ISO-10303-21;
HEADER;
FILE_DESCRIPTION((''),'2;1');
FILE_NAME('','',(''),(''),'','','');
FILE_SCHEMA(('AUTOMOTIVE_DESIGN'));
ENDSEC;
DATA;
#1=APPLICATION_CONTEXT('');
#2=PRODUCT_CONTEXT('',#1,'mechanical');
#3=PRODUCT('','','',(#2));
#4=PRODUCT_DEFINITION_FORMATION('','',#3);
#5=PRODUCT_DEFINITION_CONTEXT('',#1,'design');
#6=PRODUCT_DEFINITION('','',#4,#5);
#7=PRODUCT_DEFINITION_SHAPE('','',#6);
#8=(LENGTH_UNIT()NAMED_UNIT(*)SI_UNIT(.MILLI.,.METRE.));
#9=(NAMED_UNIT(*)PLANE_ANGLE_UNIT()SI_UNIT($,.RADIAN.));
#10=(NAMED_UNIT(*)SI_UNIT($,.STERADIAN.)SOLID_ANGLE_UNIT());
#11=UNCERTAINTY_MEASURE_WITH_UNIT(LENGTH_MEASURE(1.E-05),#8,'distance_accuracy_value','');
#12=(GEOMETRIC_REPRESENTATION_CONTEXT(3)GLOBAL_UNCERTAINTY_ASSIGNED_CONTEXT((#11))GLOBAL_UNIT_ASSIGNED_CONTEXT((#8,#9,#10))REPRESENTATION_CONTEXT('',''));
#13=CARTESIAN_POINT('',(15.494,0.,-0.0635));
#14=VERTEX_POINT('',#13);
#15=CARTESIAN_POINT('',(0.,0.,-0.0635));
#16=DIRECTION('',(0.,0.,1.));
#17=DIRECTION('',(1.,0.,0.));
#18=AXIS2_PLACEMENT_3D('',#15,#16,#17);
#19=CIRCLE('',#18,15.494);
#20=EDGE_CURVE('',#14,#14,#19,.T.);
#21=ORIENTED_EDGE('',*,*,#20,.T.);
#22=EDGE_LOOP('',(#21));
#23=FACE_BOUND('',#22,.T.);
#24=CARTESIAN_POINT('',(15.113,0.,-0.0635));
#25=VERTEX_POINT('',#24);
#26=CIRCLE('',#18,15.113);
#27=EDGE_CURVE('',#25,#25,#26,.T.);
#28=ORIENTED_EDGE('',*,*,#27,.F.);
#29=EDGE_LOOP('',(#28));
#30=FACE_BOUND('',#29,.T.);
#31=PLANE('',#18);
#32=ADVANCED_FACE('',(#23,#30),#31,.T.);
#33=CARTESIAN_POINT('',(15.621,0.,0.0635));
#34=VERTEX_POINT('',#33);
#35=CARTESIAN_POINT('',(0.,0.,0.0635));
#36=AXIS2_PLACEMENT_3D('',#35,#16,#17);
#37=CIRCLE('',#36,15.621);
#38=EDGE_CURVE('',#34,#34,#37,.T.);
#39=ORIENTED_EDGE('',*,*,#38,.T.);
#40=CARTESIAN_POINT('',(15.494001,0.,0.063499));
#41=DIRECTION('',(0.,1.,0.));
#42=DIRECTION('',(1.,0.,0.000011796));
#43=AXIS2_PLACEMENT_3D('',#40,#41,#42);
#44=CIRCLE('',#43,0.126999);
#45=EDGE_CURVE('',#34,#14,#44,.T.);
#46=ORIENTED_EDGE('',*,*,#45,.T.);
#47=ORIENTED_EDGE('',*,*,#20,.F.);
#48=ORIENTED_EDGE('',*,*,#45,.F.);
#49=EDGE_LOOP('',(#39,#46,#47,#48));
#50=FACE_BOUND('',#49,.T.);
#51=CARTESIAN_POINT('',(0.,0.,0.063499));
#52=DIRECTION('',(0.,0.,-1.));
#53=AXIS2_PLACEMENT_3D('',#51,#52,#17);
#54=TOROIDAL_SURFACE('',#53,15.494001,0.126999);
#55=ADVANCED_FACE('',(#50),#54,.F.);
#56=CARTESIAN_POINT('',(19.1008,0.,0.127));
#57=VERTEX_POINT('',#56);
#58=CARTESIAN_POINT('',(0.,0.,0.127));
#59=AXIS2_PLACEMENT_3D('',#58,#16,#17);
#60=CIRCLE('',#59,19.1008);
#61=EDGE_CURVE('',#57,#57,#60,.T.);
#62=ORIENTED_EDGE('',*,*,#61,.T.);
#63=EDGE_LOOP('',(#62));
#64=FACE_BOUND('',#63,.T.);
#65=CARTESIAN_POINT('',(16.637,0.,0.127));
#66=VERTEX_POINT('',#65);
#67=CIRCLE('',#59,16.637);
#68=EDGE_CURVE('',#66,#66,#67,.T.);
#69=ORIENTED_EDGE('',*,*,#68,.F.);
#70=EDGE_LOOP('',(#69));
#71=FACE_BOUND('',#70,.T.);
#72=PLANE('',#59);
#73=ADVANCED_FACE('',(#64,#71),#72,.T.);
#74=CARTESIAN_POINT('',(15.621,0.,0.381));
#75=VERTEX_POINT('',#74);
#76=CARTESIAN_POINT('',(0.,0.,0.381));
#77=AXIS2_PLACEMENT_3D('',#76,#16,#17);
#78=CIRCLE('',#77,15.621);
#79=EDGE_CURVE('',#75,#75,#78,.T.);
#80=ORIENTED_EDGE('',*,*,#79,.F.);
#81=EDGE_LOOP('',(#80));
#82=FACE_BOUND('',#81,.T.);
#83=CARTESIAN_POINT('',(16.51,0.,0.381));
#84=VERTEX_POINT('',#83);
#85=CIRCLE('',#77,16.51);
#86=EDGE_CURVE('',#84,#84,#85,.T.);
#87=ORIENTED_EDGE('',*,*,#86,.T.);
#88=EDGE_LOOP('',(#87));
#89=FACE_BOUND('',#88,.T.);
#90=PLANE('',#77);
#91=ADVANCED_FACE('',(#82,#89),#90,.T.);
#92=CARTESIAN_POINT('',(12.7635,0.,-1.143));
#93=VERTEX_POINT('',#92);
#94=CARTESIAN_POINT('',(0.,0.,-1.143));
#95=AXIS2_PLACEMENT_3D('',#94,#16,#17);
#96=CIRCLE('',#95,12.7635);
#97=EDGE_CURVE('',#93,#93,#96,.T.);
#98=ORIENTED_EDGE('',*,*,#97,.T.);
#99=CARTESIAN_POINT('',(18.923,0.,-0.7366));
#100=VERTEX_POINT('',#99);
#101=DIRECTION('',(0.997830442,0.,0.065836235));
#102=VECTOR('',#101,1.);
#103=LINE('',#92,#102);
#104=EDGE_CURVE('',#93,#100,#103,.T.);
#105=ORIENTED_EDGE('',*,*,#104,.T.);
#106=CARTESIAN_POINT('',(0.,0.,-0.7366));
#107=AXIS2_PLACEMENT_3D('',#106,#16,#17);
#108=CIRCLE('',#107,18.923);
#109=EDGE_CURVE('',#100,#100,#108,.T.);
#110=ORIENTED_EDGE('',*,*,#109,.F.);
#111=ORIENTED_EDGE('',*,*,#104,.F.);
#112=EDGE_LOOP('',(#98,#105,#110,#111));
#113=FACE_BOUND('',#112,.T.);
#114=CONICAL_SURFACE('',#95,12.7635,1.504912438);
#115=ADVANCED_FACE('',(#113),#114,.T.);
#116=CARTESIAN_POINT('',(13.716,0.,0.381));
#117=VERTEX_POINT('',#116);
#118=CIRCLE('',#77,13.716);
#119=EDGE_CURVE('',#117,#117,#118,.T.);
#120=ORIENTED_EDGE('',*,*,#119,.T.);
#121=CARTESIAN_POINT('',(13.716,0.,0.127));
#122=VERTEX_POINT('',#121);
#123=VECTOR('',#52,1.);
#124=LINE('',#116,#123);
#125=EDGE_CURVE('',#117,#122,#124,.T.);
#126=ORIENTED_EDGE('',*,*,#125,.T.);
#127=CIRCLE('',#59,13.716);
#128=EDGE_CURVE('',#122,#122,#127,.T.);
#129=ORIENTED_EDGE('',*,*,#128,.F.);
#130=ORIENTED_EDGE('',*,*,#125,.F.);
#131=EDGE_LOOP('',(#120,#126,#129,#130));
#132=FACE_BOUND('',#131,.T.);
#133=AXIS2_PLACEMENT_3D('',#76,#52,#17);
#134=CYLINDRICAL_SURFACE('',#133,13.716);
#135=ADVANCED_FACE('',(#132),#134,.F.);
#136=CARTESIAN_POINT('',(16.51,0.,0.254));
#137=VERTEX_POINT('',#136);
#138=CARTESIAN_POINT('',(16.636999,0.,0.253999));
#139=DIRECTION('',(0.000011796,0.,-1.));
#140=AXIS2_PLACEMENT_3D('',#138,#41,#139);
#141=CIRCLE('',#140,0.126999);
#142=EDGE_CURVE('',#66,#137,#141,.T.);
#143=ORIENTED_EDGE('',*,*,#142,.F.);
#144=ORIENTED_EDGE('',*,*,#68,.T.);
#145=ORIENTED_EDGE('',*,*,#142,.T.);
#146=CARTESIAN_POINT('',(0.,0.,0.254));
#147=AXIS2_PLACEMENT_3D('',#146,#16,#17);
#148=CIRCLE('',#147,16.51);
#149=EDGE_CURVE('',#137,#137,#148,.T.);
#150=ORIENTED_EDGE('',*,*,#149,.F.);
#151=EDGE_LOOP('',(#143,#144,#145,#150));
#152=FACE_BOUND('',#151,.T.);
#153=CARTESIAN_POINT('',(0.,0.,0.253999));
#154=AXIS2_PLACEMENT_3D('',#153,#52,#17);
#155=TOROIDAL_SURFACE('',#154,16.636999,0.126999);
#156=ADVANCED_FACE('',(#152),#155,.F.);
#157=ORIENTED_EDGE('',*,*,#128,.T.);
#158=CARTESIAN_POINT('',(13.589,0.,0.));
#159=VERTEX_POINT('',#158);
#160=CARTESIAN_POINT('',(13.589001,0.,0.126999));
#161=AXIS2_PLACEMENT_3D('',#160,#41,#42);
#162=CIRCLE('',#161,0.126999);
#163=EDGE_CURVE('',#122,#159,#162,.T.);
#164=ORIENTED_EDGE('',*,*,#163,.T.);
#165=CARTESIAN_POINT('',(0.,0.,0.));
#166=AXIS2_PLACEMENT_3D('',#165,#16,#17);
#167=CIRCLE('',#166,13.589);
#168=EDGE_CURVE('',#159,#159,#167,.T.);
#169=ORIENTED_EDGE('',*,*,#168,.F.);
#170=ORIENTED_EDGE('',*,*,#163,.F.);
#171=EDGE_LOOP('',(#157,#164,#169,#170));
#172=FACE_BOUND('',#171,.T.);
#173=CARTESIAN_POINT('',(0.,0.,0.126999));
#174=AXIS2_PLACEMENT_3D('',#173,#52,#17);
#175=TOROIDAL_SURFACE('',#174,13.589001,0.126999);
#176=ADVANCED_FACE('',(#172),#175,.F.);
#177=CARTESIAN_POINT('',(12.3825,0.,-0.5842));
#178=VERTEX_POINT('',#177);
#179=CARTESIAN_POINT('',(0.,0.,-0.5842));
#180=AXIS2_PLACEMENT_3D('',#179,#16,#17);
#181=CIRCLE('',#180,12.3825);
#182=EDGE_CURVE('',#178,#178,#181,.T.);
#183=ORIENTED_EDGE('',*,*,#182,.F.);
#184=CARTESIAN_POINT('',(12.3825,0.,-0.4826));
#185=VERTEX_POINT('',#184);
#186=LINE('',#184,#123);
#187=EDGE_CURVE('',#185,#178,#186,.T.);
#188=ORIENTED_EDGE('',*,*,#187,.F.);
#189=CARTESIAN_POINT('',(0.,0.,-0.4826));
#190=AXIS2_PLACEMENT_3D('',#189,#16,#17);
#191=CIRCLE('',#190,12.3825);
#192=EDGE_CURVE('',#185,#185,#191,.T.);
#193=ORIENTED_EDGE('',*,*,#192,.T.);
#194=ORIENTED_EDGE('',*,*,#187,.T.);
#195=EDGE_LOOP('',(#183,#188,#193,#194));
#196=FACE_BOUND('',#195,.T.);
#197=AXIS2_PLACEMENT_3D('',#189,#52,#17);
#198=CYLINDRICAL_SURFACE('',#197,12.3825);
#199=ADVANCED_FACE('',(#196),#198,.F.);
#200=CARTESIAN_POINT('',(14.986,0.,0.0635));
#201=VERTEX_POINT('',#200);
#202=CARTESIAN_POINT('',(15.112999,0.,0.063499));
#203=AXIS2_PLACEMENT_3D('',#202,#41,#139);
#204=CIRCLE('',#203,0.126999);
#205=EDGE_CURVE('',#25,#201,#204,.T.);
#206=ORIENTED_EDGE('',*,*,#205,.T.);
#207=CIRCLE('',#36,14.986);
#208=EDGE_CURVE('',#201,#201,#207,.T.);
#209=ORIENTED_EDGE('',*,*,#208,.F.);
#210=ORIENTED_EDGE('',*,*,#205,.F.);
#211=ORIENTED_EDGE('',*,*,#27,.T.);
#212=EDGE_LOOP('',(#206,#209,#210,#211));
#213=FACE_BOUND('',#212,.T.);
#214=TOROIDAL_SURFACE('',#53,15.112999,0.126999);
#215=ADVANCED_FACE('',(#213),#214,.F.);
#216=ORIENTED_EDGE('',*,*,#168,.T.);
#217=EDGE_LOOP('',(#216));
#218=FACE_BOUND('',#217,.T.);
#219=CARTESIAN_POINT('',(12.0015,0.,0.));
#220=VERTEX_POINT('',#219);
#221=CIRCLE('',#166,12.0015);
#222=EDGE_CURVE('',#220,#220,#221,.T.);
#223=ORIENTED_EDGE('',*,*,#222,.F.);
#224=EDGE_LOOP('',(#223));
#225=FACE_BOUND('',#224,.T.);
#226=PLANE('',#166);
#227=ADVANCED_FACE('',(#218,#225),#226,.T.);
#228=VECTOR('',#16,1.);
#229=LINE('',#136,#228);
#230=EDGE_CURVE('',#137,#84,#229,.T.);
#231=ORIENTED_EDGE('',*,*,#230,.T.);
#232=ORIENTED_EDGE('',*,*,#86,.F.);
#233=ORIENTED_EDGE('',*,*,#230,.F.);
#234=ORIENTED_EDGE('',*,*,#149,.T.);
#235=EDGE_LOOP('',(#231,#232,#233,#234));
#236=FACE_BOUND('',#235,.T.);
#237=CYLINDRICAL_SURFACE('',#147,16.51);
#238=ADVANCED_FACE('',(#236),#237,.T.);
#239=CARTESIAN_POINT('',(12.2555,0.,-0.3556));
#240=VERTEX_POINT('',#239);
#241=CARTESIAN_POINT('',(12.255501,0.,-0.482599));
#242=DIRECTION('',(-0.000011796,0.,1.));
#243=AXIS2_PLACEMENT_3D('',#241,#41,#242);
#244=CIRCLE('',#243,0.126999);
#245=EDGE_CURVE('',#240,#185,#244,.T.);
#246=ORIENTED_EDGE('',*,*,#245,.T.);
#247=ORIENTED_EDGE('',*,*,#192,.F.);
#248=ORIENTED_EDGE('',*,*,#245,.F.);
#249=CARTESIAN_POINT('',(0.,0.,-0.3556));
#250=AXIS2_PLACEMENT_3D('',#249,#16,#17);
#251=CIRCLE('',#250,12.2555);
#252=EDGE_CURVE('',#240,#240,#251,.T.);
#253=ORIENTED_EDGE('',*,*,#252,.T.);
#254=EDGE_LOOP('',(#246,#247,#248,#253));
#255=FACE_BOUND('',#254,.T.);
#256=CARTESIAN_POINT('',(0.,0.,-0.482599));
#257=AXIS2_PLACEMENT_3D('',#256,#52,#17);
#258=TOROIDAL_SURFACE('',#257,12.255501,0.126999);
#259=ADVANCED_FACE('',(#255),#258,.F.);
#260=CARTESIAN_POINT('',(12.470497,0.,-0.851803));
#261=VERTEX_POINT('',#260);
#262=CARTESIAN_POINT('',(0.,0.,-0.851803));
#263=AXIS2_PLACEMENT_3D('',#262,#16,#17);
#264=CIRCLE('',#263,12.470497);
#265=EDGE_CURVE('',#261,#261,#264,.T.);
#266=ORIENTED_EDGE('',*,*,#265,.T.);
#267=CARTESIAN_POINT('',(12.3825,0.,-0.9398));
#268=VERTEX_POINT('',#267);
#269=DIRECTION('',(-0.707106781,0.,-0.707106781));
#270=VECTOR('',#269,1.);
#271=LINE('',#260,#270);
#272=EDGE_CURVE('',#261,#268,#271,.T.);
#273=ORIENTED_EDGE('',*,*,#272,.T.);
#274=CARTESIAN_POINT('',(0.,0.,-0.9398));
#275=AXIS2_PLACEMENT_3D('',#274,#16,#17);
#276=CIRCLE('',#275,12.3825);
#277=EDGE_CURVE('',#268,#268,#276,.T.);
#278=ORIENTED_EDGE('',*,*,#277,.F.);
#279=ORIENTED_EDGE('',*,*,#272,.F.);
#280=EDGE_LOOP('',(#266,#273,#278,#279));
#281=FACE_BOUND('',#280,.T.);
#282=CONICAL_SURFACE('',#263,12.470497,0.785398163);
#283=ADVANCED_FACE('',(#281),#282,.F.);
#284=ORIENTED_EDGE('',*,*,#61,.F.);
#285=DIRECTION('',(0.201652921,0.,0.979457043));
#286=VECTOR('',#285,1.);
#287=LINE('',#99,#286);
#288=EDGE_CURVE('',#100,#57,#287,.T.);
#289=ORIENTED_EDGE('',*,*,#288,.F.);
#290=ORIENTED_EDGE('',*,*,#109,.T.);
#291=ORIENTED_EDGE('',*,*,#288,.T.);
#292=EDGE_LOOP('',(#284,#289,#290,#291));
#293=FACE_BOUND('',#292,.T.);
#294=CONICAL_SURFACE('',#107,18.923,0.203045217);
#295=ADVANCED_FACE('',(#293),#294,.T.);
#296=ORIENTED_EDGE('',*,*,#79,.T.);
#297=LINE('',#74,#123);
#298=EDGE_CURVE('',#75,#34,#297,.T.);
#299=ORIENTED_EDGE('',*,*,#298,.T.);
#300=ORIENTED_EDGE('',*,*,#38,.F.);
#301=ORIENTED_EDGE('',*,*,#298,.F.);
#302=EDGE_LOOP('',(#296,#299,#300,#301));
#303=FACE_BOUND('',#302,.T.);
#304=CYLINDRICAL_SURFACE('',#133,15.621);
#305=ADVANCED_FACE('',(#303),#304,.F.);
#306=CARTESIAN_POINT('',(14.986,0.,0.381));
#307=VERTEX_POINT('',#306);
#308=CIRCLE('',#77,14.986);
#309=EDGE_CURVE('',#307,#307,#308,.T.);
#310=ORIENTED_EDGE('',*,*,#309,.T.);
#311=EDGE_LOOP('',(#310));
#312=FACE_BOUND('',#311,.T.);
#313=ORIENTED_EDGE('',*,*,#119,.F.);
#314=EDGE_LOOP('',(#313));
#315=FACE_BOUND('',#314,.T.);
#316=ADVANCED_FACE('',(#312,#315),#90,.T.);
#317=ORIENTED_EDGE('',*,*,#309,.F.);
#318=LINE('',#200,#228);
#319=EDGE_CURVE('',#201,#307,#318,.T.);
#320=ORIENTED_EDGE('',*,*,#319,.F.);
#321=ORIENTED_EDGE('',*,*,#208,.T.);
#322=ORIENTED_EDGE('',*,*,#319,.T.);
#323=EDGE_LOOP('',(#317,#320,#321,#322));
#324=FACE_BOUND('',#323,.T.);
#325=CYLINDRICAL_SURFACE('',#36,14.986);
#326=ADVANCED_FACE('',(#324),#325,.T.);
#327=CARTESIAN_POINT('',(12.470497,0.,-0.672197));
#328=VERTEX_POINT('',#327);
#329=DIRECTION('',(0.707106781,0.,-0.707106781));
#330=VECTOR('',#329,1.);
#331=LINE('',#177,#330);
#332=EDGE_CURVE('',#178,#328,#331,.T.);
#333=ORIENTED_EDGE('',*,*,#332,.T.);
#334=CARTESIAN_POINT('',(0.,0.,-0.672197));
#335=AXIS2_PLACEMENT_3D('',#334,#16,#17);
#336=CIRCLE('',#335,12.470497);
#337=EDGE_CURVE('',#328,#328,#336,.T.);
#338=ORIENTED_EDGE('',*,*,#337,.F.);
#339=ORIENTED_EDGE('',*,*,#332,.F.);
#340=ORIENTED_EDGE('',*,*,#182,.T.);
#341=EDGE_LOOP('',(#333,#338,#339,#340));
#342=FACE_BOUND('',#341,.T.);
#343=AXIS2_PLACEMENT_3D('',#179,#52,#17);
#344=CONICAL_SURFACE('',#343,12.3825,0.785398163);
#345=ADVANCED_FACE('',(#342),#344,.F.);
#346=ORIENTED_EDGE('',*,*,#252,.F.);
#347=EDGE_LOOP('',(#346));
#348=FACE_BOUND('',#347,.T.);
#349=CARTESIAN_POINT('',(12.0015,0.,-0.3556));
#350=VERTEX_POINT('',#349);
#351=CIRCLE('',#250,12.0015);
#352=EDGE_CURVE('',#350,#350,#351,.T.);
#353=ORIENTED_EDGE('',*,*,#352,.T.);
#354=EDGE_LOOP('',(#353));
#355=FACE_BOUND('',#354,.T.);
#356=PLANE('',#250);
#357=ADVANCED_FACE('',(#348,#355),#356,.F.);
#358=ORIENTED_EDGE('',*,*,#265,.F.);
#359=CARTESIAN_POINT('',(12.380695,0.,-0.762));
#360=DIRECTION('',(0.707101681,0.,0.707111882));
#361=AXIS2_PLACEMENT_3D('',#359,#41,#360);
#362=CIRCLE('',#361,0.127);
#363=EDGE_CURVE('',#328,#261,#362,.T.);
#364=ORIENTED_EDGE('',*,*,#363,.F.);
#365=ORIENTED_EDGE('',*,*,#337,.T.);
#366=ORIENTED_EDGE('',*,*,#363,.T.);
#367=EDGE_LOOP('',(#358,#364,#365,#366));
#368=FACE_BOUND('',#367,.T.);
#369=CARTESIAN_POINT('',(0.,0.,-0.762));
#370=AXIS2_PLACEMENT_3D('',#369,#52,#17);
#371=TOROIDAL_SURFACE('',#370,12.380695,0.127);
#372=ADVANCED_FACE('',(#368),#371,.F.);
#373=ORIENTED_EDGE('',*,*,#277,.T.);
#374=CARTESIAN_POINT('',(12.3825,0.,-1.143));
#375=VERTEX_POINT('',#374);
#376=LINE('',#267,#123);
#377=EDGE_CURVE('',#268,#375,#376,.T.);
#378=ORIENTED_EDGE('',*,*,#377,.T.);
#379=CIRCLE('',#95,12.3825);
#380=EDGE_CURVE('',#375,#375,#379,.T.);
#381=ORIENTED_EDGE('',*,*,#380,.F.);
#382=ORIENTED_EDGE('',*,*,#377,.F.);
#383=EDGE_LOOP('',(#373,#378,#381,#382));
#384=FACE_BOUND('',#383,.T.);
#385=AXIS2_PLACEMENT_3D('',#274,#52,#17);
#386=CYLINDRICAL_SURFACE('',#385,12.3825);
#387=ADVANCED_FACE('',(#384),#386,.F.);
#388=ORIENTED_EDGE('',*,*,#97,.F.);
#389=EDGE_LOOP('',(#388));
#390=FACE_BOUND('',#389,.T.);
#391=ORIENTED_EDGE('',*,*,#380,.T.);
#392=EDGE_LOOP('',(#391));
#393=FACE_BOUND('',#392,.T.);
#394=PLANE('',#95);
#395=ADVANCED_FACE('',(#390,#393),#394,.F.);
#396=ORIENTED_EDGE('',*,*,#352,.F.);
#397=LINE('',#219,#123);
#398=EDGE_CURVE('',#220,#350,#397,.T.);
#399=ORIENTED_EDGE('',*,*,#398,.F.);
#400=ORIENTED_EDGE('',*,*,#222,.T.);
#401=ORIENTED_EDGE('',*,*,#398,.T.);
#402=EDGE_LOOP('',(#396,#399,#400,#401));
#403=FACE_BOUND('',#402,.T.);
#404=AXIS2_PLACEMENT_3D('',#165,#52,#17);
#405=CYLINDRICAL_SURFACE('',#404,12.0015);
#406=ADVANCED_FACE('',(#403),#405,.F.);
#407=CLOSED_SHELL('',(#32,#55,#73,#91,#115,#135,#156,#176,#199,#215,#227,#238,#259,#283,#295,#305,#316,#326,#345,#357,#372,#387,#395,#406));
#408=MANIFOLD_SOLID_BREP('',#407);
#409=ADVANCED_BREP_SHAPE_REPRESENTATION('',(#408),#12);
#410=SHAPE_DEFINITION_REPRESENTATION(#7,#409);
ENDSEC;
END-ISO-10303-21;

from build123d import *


with BuildPart() as f1:
    # F0 (on Front) → F1 (revolve)
    with BuildSketch(Plane.XZ):
        with BuildLine():
            Line((13.589, 0), (12.0015, 0))
            Line((12.0015, 0), (12.0015, -0.3556))
            Line((12.0015, -0.3556), (12.2555, -0.3556))
            ThreePointArc((12.2555, -0.3556), (12.345303, -0.392797), (12.3825, -0.4826))
            Line((12.3825, -0.4826), (12.3825, -0.5842))
            Line((12.3825, -0.5842), (12.470497, -0.672197))
            ThreePointArc((12.470497, -0.672197), (12.507695, -0.762), (12.470497, -0.851803))
            Line((12.470497, -0.851803), (12.3825, -0.9398))
            Line((12.3825, -0.9398), (12.3825, -1.143))
            Line((12.3825, -1.143), (12.7635, -1.143))
            Line((12.7635, -1.143), (18.923, -0.7366))
            Line((18.923, -0.7366), (19.1008, 0.127))
            Line((19.1008, 0.127), (16.637, 0.127))
            ThreePointArc((16.637, 0.127), (16.547197, 0.164197), (16.51, 0.254))
            Line((16.51, 0.254), (16.51, 0.381))
            Line((16.51, 0.381), (15.621, 0.381))
            Line((15.621, 0.381), (15.621, 0.0635))
            ThreePointArc((15.621, 0.0635), (15.583803, -0.026303), (15.494, -0.0635))
            Line((15.494, -0.0635), (15.113, -0.0635))
            ThreePointArc((15.113, -0.0635), (15.023197, -0.026303), (14.986, 0.0635))
            Line((14.986, 0.0635), (14.986, 0.381))
            Line((14.986, 0.381), (13.716, 0.381))
            Line((13.716, 0.381), (13.716, 0.127))
            ThreePointArc((13.716, 0.127), (13.678803, 0.037197), (13.589, 0))
        make_face()
    revolve(axis=Axis((0, 0, 1.228904), (0, 0, 1)))


solid = f1.part
